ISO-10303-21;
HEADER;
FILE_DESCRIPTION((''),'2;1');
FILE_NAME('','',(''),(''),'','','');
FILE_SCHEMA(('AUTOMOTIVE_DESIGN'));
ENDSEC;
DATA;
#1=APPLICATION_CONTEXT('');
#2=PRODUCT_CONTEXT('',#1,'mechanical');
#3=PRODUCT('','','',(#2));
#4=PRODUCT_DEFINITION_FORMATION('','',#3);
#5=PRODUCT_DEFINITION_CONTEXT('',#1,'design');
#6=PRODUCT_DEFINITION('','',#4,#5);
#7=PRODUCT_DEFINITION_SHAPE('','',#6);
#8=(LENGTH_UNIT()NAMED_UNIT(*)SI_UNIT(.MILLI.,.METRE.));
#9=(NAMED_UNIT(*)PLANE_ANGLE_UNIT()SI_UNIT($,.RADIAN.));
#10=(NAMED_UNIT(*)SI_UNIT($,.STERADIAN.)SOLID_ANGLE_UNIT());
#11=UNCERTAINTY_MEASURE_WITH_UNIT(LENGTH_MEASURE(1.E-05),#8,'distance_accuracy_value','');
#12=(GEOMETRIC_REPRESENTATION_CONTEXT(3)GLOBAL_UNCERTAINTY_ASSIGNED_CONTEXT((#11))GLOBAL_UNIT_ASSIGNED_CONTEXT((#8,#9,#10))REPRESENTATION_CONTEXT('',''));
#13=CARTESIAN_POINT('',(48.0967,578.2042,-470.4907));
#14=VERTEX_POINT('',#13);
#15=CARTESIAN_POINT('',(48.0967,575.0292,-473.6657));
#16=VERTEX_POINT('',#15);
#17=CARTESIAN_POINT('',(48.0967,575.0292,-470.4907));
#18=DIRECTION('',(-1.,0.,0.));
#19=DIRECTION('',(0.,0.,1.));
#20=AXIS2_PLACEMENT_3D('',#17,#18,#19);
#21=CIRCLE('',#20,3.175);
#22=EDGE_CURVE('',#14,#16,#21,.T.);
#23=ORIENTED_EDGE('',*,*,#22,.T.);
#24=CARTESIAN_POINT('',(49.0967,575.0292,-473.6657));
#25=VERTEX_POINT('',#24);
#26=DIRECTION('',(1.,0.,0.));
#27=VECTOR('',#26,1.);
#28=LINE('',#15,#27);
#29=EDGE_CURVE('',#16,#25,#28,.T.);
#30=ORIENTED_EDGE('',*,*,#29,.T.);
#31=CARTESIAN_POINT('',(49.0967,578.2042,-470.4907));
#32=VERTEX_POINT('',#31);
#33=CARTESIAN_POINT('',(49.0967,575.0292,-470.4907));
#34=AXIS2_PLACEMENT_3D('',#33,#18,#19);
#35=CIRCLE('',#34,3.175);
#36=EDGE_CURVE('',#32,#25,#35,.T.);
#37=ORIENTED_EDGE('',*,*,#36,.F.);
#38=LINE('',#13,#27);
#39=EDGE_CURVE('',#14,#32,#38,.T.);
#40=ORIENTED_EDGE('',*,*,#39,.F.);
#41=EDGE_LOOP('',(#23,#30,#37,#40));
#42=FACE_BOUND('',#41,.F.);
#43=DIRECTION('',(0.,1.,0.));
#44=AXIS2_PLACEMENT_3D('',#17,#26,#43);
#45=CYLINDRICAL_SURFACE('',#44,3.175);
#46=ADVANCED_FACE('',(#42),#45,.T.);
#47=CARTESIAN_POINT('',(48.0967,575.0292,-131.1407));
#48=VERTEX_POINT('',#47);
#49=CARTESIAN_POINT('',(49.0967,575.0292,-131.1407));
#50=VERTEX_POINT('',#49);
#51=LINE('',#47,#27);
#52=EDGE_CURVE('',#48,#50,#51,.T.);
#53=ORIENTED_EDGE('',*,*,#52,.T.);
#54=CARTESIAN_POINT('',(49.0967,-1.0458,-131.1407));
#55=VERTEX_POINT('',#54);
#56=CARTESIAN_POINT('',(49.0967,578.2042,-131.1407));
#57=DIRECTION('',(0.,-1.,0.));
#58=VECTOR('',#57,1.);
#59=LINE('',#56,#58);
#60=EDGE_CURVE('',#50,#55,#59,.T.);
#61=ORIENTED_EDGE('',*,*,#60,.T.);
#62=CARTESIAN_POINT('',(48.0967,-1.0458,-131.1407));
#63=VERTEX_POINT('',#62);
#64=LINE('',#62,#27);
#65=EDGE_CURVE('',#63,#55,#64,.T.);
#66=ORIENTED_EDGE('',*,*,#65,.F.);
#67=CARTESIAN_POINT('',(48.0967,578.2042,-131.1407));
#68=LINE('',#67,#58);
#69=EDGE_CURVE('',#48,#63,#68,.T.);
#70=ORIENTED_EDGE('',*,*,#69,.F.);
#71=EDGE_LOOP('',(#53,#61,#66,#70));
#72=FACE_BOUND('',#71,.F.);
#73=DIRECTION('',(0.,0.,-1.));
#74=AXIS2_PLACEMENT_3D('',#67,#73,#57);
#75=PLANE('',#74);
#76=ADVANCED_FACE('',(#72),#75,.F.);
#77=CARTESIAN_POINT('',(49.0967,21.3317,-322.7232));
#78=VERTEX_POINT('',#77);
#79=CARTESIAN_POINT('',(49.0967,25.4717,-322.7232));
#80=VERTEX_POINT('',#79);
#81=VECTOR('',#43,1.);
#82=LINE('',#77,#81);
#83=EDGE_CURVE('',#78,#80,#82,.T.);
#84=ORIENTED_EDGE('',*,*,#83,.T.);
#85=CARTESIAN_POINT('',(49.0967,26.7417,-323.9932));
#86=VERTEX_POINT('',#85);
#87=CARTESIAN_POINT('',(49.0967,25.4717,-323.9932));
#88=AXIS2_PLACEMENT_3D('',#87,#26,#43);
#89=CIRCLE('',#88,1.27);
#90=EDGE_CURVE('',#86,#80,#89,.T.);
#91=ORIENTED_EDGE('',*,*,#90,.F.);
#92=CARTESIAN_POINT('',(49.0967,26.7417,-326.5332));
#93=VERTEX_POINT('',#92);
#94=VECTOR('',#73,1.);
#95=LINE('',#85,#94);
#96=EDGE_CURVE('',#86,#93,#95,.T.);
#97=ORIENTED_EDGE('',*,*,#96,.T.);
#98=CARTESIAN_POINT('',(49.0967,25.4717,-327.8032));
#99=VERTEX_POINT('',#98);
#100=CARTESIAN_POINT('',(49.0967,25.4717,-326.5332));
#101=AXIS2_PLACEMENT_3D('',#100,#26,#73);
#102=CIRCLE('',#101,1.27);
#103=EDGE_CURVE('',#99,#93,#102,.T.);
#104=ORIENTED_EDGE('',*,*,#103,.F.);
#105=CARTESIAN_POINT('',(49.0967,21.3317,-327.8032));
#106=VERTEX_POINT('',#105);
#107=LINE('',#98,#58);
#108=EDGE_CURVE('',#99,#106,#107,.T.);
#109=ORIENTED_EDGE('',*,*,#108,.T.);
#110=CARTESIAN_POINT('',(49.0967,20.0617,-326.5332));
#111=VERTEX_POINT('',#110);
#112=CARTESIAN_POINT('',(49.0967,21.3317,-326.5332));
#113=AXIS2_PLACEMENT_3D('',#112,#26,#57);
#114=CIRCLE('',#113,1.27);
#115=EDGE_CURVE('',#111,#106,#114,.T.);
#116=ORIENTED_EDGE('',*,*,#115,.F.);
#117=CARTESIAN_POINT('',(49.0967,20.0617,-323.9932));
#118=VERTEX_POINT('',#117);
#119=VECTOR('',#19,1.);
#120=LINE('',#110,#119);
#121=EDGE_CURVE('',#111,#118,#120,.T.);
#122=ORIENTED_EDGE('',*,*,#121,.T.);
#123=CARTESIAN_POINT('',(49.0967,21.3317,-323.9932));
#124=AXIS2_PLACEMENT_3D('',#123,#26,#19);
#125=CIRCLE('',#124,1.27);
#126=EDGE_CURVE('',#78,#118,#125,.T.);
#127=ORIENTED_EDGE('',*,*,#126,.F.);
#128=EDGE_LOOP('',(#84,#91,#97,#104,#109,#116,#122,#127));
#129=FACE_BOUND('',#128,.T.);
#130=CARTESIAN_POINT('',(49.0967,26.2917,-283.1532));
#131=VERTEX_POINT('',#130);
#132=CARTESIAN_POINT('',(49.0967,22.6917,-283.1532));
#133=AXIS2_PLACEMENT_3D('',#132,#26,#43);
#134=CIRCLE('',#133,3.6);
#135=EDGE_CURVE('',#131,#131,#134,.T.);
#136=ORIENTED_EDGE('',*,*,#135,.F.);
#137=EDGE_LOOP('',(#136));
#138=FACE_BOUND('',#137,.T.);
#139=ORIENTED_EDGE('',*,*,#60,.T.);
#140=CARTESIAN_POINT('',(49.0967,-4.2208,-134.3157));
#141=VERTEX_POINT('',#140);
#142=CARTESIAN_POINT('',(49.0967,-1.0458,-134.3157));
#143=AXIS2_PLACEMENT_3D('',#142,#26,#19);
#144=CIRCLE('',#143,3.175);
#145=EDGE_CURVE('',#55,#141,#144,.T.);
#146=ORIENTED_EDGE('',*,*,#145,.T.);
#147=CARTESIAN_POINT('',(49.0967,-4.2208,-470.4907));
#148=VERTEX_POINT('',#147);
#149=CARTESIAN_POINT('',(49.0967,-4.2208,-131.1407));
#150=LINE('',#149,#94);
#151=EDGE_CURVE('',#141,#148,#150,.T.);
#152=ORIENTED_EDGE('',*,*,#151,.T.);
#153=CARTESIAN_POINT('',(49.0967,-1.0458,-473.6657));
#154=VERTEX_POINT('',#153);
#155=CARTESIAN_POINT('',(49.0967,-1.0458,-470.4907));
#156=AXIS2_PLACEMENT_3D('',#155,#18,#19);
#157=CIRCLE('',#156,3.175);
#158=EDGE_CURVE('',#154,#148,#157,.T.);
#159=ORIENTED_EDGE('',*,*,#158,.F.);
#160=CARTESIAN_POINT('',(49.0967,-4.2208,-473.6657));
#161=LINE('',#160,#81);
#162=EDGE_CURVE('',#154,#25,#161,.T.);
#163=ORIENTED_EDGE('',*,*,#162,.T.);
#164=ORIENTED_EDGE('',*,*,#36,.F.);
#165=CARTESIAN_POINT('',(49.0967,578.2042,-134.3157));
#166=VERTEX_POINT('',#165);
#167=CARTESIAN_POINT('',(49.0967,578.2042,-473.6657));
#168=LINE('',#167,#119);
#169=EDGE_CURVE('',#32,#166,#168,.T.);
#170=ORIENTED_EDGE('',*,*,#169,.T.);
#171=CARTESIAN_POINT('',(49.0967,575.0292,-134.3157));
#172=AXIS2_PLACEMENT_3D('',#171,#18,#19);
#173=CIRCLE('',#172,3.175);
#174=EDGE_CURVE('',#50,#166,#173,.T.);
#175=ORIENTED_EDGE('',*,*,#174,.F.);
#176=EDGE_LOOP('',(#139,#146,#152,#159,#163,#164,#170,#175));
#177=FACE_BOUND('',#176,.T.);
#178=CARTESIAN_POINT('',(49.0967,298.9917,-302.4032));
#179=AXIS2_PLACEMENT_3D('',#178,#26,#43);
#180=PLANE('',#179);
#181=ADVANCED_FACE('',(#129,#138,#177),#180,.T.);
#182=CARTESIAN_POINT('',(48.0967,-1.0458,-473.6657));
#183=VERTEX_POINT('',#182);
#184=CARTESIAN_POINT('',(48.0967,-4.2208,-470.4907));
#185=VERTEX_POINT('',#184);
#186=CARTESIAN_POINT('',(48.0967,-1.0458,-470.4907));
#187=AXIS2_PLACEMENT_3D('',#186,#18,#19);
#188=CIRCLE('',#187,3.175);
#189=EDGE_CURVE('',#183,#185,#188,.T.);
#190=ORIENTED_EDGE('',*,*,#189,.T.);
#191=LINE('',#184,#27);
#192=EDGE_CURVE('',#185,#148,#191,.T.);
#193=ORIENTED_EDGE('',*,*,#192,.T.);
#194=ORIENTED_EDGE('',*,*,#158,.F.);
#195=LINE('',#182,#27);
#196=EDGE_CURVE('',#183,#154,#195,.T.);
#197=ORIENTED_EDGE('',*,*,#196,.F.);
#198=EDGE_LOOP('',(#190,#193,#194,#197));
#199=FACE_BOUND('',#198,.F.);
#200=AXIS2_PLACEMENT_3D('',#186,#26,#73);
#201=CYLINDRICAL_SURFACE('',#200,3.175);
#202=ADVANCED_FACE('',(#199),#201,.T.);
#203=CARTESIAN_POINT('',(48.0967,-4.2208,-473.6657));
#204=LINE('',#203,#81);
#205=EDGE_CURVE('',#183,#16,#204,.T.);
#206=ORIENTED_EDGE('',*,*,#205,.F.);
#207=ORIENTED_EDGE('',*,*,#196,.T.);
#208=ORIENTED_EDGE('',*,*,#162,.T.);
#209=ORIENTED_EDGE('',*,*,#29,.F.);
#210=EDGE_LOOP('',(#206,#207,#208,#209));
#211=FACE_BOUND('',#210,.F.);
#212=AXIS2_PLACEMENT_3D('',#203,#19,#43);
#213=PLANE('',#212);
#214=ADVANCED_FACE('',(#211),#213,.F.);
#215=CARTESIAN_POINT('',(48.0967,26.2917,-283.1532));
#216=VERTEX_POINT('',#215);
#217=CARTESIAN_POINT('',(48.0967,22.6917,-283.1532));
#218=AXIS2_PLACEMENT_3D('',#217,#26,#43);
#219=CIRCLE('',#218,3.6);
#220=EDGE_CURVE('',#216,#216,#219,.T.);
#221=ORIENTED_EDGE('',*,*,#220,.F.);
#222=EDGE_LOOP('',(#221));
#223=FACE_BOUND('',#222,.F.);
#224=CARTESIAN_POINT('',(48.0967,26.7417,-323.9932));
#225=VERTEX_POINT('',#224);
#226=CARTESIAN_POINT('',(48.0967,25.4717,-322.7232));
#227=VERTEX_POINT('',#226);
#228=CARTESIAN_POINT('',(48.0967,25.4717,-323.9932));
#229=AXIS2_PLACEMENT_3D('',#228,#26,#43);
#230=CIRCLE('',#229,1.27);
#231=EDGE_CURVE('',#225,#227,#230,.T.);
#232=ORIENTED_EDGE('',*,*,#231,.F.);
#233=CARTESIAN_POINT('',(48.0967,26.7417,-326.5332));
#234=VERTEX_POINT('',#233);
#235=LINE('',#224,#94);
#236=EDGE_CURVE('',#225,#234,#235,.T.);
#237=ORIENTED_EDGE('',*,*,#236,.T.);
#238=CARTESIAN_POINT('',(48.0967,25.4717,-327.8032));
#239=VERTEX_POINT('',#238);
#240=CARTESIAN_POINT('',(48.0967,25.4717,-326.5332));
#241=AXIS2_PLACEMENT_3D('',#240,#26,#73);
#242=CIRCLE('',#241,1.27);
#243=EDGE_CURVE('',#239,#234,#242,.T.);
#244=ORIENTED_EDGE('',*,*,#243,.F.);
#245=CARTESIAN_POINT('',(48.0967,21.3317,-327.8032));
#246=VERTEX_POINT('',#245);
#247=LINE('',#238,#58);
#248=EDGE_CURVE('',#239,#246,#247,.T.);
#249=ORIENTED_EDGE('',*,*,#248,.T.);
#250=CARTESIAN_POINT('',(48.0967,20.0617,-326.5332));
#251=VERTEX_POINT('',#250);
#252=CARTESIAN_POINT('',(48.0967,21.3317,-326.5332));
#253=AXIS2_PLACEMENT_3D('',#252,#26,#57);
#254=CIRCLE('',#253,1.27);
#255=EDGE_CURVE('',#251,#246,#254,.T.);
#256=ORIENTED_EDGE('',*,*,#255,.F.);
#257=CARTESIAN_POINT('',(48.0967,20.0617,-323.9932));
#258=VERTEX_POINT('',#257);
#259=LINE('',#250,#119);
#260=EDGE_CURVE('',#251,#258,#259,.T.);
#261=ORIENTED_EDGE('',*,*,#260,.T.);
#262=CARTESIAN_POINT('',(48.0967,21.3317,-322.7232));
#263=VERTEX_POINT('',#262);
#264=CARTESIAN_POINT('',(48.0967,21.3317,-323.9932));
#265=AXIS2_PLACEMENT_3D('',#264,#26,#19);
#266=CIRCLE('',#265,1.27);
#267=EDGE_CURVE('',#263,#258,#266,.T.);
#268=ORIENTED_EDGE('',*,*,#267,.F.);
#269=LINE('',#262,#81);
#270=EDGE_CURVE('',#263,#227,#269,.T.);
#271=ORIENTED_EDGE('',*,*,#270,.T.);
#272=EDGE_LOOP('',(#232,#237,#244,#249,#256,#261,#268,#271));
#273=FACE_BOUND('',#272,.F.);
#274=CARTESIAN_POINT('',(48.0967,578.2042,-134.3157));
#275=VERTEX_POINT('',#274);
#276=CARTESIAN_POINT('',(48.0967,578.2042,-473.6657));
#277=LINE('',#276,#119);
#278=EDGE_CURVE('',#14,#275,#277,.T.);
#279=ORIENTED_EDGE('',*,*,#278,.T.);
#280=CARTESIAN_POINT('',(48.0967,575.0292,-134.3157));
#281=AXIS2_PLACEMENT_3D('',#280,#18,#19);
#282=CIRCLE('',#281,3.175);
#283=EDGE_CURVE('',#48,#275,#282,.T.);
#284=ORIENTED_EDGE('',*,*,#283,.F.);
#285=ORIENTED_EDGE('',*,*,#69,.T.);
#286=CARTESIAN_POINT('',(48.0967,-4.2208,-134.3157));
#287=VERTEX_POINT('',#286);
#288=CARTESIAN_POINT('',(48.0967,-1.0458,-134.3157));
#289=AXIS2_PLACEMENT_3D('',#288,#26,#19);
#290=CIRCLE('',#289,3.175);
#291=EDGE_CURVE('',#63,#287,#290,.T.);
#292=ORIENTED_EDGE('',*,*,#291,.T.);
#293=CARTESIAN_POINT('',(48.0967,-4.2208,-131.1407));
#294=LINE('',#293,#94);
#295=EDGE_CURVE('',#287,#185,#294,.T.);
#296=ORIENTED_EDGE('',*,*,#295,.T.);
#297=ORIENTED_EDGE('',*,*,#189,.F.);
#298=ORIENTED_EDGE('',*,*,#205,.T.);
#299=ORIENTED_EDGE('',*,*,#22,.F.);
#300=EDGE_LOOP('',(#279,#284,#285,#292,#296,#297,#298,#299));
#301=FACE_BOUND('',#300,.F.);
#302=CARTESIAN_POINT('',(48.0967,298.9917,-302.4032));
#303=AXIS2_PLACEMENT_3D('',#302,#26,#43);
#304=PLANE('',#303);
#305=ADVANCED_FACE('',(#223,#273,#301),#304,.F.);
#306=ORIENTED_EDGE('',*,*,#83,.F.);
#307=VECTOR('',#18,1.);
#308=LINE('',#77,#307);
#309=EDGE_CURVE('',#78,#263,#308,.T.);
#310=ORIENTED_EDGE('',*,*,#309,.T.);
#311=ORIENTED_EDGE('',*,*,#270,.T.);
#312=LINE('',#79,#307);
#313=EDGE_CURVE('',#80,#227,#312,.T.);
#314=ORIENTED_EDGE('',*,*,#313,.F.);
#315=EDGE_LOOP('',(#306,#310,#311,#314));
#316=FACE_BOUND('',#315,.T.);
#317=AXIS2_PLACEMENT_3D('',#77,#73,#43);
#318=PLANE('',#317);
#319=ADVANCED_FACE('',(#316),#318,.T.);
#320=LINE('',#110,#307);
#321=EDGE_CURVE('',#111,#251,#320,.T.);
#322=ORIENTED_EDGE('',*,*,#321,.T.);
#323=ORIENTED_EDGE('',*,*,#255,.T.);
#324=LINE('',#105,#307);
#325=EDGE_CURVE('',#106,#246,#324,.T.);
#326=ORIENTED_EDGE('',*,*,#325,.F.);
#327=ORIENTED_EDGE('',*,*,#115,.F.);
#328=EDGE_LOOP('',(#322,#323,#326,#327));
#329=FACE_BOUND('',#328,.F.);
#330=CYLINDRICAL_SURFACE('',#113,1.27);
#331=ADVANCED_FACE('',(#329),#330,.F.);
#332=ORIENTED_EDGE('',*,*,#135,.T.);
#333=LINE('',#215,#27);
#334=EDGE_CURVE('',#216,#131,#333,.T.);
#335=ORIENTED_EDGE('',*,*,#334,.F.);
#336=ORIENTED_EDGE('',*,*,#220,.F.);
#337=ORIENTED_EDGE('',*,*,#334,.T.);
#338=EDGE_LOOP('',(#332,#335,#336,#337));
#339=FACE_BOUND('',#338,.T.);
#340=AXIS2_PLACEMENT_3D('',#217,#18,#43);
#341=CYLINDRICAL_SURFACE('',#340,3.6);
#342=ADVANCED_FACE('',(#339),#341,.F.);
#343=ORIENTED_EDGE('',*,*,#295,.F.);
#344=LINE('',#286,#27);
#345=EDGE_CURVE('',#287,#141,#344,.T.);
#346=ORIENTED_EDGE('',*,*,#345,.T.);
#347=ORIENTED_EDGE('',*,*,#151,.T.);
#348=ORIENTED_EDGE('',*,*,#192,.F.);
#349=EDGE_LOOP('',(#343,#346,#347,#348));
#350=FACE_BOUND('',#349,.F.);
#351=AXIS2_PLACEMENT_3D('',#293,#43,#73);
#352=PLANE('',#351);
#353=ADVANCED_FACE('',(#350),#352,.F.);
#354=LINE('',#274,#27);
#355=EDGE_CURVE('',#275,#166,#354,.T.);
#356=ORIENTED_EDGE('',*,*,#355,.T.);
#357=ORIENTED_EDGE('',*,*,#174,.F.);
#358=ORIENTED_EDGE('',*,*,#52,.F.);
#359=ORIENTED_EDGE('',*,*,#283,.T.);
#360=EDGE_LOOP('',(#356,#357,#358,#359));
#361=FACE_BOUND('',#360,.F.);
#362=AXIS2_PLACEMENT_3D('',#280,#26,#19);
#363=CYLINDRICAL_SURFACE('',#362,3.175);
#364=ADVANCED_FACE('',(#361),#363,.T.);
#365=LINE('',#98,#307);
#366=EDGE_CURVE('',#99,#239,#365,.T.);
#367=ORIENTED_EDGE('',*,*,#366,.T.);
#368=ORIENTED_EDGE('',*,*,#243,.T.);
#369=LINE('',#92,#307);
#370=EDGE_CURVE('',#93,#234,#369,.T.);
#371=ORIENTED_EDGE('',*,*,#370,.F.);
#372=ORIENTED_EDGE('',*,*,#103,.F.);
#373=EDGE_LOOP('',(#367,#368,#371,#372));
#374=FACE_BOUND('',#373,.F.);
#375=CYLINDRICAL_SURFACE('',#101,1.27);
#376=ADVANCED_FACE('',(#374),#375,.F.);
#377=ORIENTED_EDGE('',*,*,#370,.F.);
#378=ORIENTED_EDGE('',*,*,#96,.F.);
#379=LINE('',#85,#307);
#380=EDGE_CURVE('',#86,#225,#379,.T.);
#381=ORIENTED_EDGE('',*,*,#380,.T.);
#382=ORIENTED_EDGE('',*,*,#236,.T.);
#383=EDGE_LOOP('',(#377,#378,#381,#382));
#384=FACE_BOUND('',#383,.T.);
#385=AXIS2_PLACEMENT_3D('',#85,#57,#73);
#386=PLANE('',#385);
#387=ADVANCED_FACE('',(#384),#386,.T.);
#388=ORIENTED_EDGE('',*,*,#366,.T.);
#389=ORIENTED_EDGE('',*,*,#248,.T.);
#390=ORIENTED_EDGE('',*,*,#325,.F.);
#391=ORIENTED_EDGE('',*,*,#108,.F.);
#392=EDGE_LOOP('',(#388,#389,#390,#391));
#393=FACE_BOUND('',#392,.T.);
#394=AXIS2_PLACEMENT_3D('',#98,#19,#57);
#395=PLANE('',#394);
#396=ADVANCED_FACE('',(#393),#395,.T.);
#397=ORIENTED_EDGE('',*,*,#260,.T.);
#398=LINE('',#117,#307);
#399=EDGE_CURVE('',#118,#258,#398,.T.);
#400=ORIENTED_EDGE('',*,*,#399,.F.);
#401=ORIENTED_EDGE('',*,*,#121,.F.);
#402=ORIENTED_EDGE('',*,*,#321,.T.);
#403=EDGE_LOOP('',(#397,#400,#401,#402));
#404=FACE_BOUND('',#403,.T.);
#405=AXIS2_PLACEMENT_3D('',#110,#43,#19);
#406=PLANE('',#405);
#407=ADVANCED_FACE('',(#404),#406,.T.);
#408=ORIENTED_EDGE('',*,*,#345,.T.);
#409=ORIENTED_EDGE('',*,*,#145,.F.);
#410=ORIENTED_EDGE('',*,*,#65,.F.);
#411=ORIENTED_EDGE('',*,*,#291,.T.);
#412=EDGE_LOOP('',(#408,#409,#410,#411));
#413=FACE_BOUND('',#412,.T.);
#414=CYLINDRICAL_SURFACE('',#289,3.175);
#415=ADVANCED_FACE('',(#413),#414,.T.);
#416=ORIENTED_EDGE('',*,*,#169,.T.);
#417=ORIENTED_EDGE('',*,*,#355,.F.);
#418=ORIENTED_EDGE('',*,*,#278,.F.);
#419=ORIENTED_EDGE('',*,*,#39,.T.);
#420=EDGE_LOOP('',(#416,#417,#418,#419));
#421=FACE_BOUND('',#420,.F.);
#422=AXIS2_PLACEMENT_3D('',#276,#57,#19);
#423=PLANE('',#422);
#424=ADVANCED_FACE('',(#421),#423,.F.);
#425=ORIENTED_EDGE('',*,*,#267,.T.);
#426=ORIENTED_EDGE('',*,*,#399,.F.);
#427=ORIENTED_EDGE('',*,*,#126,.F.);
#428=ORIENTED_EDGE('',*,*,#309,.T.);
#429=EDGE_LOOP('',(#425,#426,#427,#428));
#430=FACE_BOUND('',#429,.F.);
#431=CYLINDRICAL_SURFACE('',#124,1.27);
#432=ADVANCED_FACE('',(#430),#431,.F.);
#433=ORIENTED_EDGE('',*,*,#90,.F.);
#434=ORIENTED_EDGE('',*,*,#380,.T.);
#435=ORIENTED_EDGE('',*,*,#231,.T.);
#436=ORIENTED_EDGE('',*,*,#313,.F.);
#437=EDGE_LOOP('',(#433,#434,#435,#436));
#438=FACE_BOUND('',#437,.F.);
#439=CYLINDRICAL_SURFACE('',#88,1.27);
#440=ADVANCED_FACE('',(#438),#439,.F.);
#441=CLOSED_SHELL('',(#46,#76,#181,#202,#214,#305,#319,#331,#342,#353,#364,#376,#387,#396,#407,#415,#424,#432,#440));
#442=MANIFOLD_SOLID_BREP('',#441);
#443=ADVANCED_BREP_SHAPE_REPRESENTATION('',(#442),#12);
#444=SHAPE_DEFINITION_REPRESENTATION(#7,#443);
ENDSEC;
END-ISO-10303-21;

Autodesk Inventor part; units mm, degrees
ref_plane "YZ Plane" through (0, 0, 0) normal (1, 0, 0) x (0, 1, 0)
ref_plane "XZ Plane" through (0, 0, 0) normal (0, 1, 0) x (-1, 0, 0)
ref_plane "XY Plane" through (0, 0, 0) normal (0, 0, 1) x (1, 0, 0)
ref_plane "Work Plane1" through (48.0967, 298.9917, -302.4032) normal (1, 0, 0) x (0, 1, 0)
sketch "Sketch1" plane through (48.0967, 298.9917, -302.4032) normal (1, 0, 0) x (0, 1, 0)
  circle A0 centre (-276.3, 19.25) radius 3.6
  arc A1 (255.27, -148.59) -> (256.54, -147.32) centre (255.27, -147.32) ccw
  line L0 (256.54, 140.97) -> (256.54, -147.32)
  line L1 (-256.54, 140.97) -> (256.54, 140.97)
  line L2 (-256.54, -147.32) -> (-256.54, 140.97)
  arc A2 (-256.54, -147.32) -> (-255.27, -148.59) centre (-255.27, -147.32) ccw
  line L3 (255.27, -148.59) -> (-255.27, -148.59)
  line L4 (266.7, 140.97) -> (266.7, -154.94)
  line L5 (262.89, -158.75) -> (-262.89, -158.75)
  line L6 (262.89, 158.75) -> (-262.89, 158.75)
  line L7 (-290.7, 29.75) -> (-290.7, 8.75)
  line L8 (266.7, -158.75) -> (-290.7, -158.75)
  line L9 (266.7, 158.75) -> (266.7, -158.75)
  line L10 (-303.2125, 171.2625) -> (-303.2125, -171.2625)
  line L11 (-303.2125, -171.2625) -> (279.2125, -171.2625)
  line L12 (279.2125, -171.2625) -> (279.2125, 171.2625)
  line L13 (279.2125, 171.2625) -> (-303.2125, 171.2625)
  line L14 (-277.69, -21.56) -> (-277.69, -24.16)
  line L15 (-277.69, -24.16) -> (-273.49, -24.16)
  line L16 (-273.49, -24.16) -> (-273.49, -21.56)
  line L17 (-273.49, -21.56) -> (-277.69, -21.56)
  line L18 (-272.25, -25.4) -> (-278.93, -25.4)
  line L19 (-278.93, -25.4) -> (-278.93, -20.32)
  line L20 (-278.93, -20.32) -> (-272.25, -20.32)
  line L21 (-272.25, -20.32) -> (-272.25, -25.4)
  point P0 (-298.9917, 302.4032)
extrude "Extrusion1" add sketch "Sketch1" along normal blind 1 contours L3 A2 L2 L1 L0 A1 | L13 L12 L11 L10 | L18 L19 L20 L21
fillet "Fillet1" radius 3.175 4 edges at (48.5967, -4.2208, -131.1407) (48.5967, -4.2208, -473.6657) (48.5967, 578.2042, -473.6657) (48.5967, 578.2042, -131.1407)
sketch "Sketch2" plane through (49.0967, 298.9917, -302.4032) normal (1, 0, 0) x (0, 0, -1)
  line L0 (21.56, -273.49) -> (24.16, -273.49) projected
  line L1 (21.56, -277.69) -> (21.56, -273.49) projected
  line L2 (24.16, -277.69) -> (21.56, -277.69) projected
  line L3 (24.16, -273.49) -> (24.16, -277.69) projected
  line L4 (24.13, -278.93) -> (21.59, -278.93)
  line L5 (20.32, -277.66) -> (20.32, -273.52)
  line L6 (21.59, -272.25) -> (24.13, -272.25)
  line L7 (25.4, -273.52) -> (25.4, -277.66)
  arc A0 (25.4, -273.52) -> (24.13, -272.25) centre (24.13, -273.52) ccw
  arc A1 (24.13, -278.93) -> (25.4, -277.66) centre (24.13, -277.66) ccw
  arc A2 (20.32, -277.66) -> (21.59, -278.93) centre (21.59, -277.66) ccw
  arc A3 (21.59, -272.25) -> (20.32, -273.52) centre (21.59, -273.52) ccw
  point P0 (-302.4032, -298.9917)
  dimension "d4" = 1.27
extrude "Extrusion2" cut sketch "Sketch2" against normal blind 1
properties material "Acetal Resin, White"
